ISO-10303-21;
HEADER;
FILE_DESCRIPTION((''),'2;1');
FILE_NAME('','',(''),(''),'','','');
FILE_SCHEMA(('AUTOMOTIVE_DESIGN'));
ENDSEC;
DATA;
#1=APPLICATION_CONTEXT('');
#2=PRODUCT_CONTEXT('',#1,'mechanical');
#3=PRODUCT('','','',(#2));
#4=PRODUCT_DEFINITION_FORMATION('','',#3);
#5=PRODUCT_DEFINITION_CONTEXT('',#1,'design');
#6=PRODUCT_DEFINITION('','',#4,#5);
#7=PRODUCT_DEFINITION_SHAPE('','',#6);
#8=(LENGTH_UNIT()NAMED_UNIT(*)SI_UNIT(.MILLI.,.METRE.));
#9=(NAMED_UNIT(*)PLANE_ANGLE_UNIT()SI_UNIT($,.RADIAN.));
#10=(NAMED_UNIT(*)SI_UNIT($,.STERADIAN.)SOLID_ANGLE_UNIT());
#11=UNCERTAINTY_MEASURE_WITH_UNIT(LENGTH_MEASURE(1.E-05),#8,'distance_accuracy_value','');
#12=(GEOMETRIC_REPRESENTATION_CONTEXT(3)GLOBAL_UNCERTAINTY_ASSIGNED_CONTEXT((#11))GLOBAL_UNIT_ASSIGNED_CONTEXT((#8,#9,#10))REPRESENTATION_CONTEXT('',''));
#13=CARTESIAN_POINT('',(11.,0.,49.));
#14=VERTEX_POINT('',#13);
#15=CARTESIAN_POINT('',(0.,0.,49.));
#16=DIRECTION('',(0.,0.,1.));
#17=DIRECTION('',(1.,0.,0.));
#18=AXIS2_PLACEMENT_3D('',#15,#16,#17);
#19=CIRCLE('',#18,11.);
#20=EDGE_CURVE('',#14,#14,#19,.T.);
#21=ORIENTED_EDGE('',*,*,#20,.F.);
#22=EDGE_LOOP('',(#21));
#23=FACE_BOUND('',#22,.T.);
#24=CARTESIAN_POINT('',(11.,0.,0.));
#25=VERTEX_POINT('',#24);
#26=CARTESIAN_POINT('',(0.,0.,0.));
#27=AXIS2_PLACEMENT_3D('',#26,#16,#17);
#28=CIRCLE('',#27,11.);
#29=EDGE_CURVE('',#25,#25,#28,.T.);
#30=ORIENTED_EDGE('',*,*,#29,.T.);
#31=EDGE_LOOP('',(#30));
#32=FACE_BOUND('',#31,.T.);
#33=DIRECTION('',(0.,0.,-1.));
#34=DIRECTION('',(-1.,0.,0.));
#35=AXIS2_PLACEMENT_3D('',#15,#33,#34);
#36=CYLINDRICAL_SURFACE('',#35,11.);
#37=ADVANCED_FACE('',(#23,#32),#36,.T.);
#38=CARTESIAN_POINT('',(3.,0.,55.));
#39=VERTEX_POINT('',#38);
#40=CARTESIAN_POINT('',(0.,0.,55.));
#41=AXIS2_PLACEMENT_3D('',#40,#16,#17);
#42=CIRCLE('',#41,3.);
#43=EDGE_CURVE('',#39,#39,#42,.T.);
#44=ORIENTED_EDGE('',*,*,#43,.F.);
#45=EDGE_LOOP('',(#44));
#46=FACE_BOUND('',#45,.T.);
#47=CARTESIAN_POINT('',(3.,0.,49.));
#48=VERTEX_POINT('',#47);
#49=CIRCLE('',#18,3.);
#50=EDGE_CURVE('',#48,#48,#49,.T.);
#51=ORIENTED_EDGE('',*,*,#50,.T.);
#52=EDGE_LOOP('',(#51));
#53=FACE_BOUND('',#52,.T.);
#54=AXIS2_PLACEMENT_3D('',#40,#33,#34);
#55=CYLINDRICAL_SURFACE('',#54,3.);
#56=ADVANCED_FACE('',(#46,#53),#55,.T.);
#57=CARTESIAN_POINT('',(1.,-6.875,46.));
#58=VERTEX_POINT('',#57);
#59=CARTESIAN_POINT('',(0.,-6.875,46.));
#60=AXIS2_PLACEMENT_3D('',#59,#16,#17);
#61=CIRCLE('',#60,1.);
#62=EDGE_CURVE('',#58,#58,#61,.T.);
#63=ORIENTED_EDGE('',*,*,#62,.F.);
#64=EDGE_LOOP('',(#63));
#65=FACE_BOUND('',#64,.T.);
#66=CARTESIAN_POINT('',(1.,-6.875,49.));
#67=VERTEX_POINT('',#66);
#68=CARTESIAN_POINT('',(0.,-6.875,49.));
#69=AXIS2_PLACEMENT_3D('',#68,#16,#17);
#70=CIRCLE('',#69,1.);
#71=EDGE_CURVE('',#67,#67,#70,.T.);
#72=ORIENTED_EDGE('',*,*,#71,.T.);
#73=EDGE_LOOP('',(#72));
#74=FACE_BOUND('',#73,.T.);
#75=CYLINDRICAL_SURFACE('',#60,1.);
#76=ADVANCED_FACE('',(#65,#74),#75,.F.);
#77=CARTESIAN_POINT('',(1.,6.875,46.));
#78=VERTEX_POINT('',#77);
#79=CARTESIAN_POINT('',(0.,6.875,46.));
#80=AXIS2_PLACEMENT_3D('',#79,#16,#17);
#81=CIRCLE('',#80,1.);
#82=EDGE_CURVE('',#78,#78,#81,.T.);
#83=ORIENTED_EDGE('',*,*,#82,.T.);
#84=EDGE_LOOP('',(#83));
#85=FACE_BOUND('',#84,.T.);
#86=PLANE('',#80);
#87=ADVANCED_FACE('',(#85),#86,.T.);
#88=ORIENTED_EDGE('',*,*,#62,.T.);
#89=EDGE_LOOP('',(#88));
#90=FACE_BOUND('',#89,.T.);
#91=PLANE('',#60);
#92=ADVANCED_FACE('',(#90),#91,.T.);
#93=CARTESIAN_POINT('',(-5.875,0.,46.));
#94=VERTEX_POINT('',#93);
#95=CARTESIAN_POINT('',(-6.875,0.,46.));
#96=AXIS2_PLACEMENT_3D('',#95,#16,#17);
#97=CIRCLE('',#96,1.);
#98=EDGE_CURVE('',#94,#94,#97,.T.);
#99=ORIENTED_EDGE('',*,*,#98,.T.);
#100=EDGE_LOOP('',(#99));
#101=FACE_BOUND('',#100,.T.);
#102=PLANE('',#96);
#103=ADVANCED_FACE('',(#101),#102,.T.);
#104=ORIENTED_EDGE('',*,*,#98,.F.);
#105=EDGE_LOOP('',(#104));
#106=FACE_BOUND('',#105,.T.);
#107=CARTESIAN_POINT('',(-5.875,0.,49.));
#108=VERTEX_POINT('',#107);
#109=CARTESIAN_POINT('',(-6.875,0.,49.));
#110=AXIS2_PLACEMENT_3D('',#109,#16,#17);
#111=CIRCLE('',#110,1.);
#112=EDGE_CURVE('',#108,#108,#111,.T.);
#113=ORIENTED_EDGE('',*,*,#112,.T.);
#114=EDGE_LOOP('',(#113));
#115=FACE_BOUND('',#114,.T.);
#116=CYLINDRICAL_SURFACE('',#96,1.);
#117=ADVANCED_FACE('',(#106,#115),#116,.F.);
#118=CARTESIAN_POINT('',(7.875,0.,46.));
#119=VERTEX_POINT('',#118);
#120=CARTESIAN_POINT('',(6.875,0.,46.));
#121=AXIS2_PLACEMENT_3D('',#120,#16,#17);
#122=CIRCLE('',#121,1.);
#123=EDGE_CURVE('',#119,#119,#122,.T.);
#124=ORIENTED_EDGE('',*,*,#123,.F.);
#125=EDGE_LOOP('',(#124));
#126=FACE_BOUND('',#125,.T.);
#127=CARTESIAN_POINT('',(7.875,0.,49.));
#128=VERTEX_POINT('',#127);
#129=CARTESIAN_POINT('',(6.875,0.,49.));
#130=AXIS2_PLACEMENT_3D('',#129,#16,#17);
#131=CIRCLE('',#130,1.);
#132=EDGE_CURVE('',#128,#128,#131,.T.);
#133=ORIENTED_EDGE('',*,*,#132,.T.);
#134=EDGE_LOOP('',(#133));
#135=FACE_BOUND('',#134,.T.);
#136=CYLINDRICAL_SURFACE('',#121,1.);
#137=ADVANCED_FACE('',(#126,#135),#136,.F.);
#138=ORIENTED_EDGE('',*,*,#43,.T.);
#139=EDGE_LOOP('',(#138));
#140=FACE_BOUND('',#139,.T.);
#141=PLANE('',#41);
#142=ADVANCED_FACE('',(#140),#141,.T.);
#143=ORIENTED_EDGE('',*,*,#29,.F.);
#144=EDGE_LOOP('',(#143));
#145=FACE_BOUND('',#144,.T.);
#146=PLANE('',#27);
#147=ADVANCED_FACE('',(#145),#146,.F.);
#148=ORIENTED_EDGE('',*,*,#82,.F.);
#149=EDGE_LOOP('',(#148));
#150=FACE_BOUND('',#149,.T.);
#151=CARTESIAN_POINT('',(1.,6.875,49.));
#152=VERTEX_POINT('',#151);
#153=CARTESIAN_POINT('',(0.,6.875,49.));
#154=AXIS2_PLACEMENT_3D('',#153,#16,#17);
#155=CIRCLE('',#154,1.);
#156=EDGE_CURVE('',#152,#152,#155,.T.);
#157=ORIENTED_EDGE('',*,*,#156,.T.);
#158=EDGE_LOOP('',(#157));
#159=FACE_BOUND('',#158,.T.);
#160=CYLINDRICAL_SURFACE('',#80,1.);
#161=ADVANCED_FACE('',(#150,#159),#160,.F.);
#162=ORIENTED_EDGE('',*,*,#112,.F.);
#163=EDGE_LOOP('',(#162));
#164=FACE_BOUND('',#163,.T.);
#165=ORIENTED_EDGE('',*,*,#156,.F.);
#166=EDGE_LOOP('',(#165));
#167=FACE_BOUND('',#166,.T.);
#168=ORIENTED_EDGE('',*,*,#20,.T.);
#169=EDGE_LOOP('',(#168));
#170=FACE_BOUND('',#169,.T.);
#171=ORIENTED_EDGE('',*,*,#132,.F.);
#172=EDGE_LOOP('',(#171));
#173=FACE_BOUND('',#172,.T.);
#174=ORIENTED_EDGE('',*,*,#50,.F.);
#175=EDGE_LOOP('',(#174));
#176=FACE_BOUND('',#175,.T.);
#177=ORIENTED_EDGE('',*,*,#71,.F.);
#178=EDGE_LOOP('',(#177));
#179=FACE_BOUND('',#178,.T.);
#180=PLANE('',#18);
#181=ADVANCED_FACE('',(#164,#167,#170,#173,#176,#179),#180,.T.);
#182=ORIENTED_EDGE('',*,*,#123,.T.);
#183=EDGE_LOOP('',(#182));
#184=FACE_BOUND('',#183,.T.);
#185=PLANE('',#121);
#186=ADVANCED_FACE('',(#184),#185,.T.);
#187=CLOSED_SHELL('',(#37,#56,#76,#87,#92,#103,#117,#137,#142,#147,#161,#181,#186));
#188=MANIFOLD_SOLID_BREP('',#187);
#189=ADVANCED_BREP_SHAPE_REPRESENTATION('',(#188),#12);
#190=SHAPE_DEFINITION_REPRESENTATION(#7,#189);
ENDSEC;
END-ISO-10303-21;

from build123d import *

# Parameters (mm, degrees)
SKETCH1_R           = 11
BOSS_EXTRUDE1_DEPTH = 49
SKETCH2_R           = 1
CUT_EXTRUDE1_DEPTH  = 3
SKETCH3_R           = 3
BOSS_EXTRUDE2_DEPTH = 6


with BuildPart() as part:
    # Sketch1 → Boss-Extrude1 (new body)
    with BuildSketch(Plane.XY):
        Circle(SKETCH1_R)
    extrude(amount=BOSS_EXTRUDE1_DEPTH)

    # Sketch2 → Cut-Extrude1 (cut)
    with BuildSketch(Plane.XY.offset(49)):
        with Locations((6.875, 0)):
            Circle(SKETCH2_R)
        with Locations((0, -6.875)):
            Circle(SKETCH2_R)
        with Locations((-6.875, 0)):
            Circle(SKETCH2_R)
        with Locations((0, 6.875)):
            Circle(SKETCH2_R)
    extrude(amount=-CUT_EXTRUDE1_DEPTH, mode=Mode.SUBTRACT)

    # Sketch3 → Boss-Extrude2 (add)
    with BuildSketch(Plane.XY.offset(49)):
        Circle(SKETCH3_R)
    extrude(amount=BOSS_EXTRUDE2_DEPTH)


solid = part.part
